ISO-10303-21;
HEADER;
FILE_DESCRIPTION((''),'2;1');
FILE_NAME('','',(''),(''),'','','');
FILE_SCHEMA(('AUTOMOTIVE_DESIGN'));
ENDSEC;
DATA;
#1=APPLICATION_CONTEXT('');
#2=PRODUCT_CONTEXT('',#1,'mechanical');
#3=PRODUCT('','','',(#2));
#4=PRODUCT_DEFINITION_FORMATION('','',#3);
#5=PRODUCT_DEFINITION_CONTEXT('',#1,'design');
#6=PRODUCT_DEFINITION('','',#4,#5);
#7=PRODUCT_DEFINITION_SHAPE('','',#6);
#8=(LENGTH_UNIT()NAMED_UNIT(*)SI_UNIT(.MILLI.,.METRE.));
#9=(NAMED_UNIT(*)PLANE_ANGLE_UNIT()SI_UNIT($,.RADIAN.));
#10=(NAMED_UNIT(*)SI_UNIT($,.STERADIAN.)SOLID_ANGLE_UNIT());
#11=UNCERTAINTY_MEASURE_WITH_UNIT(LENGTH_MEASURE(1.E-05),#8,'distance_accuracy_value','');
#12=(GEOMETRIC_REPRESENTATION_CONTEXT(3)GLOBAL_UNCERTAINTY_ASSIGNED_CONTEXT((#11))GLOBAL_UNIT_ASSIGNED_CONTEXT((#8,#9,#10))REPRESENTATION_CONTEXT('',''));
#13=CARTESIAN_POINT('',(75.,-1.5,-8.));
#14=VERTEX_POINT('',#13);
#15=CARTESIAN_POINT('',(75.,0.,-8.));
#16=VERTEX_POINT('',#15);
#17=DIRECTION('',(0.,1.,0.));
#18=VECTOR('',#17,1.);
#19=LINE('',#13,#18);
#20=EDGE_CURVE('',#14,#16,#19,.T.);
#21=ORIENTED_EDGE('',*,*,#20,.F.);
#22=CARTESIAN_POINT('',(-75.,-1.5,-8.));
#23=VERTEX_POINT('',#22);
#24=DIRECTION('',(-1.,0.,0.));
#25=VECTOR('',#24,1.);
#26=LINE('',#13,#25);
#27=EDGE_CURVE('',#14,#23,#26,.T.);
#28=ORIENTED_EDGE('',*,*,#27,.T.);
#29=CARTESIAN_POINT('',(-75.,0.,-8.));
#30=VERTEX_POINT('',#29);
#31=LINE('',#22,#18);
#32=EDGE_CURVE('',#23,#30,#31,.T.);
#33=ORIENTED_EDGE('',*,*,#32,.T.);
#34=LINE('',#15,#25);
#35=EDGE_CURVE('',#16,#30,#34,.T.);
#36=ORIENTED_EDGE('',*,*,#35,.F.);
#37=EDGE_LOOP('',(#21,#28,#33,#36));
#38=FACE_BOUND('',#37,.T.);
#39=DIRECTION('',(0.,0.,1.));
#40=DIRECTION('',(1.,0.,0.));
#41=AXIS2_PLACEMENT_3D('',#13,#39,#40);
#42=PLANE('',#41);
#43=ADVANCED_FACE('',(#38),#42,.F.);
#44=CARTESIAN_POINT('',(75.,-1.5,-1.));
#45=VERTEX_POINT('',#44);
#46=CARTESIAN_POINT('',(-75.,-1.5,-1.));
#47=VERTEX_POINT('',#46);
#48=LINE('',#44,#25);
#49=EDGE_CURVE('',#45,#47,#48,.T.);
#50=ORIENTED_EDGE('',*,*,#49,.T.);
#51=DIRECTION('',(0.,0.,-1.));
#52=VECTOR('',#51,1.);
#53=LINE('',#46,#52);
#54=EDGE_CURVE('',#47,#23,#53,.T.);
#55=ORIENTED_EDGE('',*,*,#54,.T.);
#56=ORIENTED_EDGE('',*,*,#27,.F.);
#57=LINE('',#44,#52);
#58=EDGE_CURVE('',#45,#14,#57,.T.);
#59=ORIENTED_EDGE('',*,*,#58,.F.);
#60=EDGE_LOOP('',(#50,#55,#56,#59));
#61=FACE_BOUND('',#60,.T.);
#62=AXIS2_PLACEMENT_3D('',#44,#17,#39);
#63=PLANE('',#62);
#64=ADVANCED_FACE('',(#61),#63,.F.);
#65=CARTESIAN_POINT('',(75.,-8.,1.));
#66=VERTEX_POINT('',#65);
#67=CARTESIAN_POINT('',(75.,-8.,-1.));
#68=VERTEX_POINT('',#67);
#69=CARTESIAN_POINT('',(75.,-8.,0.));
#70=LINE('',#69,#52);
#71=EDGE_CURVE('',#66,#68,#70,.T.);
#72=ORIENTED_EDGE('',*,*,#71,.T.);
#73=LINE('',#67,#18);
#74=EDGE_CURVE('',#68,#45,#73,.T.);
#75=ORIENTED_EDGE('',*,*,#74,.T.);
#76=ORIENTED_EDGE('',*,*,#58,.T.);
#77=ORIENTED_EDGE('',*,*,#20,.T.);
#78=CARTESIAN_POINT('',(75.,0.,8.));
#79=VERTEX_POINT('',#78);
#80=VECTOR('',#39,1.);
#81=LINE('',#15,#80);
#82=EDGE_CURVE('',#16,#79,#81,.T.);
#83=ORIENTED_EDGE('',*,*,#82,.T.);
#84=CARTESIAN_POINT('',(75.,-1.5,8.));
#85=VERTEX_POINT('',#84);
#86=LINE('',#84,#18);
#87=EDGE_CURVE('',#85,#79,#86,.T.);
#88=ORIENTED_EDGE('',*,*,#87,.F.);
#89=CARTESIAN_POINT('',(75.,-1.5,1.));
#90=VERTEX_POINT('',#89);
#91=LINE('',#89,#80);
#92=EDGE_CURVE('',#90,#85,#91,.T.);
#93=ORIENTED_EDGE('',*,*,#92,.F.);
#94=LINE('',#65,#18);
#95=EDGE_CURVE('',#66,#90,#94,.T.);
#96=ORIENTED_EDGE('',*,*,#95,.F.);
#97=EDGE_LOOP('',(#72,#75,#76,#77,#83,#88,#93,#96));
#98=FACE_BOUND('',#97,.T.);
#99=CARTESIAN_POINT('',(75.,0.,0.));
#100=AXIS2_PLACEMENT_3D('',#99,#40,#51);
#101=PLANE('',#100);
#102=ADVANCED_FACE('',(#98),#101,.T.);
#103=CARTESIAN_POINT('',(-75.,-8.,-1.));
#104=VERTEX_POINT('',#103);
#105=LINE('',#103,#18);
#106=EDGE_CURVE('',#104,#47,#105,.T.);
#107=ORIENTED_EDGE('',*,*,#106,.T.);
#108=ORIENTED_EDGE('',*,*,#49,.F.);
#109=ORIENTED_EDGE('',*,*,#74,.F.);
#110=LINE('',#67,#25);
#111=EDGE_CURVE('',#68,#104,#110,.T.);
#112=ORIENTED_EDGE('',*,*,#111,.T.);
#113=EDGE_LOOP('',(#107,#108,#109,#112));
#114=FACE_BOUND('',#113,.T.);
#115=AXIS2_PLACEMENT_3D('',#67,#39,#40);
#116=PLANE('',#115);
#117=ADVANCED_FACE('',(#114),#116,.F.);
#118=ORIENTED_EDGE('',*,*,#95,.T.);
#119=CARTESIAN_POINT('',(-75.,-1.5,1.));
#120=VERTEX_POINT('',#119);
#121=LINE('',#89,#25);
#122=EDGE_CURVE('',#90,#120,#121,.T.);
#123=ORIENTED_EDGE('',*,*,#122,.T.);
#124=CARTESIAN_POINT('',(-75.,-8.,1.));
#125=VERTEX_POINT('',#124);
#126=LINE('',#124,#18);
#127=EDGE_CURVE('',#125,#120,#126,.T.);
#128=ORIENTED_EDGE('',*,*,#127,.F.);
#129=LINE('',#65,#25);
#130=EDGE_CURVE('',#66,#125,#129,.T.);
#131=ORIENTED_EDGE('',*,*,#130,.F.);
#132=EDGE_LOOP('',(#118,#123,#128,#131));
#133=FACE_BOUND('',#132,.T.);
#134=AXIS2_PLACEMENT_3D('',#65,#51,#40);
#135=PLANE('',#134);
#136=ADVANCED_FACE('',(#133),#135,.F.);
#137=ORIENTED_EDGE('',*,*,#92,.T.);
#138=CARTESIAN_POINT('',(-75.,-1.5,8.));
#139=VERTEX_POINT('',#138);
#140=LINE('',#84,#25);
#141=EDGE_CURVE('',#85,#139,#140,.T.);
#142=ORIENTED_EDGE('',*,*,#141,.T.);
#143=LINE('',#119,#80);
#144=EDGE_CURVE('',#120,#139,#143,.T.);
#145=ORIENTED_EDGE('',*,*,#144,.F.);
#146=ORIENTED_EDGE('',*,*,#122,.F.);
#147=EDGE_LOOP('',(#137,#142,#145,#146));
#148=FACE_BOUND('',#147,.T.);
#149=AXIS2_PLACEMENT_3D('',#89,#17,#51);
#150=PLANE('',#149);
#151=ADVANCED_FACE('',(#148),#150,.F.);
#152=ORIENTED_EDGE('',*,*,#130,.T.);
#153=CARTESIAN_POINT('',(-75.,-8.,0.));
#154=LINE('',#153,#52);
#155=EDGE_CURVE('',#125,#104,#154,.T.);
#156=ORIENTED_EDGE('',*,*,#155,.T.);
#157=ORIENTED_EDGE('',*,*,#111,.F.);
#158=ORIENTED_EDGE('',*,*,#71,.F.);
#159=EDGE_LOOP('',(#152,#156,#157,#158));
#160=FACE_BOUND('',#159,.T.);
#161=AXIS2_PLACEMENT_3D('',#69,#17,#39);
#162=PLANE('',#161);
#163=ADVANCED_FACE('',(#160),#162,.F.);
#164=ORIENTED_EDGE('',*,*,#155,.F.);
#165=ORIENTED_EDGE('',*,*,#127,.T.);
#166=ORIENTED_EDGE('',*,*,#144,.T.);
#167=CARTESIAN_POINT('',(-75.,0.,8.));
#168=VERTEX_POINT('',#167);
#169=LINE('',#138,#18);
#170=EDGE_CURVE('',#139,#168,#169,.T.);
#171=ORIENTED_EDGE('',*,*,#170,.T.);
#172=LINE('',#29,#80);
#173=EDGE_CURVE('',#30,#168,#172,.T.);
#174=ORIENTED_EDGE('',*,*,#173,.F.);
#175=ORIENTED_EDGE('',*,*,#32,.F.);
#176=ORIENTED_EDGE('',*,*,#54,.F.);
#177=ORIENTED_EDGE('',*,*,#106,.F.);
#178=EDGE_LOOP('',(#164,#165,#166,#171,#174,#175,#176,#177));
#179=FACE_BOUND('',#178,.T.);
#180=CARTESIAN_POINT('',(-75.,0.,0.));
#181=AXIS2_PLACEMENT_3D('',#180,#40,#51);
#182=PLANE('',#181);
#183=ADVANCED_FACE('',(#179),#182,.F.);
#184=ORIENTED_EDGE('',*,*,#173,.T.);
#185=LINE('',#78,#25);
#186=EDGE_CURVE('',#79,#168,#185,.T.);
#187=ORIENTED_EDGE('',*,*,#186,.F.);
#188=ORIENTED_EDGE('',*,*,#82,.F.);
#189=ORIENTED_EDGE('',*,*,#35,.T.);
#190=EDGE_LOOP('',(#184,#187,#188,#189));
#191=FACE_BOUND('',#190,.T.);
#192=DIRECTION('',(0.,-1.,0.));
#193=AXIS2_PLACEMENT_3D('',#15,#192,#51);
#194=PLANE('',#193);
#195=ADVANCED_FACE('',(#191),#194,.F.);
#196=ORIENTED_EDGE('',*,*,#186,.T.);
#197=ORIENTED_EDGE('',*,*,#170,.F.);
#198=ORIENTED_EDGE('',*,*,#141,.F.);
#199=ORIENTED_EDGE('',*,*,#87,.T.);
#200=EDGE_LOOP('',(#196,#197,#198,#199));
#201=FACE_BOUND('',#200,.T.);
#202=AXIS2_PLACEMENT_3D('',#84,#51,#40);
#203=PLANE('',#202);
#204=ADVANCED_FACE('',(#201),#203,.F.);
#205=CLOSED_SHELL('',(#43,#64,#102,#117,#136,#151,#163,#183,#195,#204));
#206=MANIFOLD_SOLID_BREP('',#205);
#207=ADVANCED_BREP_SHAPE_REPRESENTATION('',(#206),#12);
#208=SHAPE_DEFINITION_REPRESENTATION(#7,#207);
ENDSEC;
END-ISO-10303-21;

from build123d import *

# Parameters (mm, degrees)
BOSS_EXTRUDE1_DEPTH = 75


with BuildPart() as part:
    # Sketch1 → Boss-Extrude1 (new, symmetric)
    with BuildSketch(Plane(origin=(0, 0, 0), x_dir=(0, 0, -1), z_dir=(1, 0, 0))):
        Polygon((0, 0), (0, -8), (1, -8), (1, -1.5), (8, -1.5), (8, 0), align=None)
    extrude(amount=BOSS_EXTRUDE1_DEPTH, both=True)

    # Mirror2: part across plane


with BuildPart() as part_1:
    add(part.part)
    add(part.part.mirror(Plane(origin=(75, 0, 0), x_dir=(1, 0, 0), z_dir=(0, 0, -1))))


solid = part_1.part
